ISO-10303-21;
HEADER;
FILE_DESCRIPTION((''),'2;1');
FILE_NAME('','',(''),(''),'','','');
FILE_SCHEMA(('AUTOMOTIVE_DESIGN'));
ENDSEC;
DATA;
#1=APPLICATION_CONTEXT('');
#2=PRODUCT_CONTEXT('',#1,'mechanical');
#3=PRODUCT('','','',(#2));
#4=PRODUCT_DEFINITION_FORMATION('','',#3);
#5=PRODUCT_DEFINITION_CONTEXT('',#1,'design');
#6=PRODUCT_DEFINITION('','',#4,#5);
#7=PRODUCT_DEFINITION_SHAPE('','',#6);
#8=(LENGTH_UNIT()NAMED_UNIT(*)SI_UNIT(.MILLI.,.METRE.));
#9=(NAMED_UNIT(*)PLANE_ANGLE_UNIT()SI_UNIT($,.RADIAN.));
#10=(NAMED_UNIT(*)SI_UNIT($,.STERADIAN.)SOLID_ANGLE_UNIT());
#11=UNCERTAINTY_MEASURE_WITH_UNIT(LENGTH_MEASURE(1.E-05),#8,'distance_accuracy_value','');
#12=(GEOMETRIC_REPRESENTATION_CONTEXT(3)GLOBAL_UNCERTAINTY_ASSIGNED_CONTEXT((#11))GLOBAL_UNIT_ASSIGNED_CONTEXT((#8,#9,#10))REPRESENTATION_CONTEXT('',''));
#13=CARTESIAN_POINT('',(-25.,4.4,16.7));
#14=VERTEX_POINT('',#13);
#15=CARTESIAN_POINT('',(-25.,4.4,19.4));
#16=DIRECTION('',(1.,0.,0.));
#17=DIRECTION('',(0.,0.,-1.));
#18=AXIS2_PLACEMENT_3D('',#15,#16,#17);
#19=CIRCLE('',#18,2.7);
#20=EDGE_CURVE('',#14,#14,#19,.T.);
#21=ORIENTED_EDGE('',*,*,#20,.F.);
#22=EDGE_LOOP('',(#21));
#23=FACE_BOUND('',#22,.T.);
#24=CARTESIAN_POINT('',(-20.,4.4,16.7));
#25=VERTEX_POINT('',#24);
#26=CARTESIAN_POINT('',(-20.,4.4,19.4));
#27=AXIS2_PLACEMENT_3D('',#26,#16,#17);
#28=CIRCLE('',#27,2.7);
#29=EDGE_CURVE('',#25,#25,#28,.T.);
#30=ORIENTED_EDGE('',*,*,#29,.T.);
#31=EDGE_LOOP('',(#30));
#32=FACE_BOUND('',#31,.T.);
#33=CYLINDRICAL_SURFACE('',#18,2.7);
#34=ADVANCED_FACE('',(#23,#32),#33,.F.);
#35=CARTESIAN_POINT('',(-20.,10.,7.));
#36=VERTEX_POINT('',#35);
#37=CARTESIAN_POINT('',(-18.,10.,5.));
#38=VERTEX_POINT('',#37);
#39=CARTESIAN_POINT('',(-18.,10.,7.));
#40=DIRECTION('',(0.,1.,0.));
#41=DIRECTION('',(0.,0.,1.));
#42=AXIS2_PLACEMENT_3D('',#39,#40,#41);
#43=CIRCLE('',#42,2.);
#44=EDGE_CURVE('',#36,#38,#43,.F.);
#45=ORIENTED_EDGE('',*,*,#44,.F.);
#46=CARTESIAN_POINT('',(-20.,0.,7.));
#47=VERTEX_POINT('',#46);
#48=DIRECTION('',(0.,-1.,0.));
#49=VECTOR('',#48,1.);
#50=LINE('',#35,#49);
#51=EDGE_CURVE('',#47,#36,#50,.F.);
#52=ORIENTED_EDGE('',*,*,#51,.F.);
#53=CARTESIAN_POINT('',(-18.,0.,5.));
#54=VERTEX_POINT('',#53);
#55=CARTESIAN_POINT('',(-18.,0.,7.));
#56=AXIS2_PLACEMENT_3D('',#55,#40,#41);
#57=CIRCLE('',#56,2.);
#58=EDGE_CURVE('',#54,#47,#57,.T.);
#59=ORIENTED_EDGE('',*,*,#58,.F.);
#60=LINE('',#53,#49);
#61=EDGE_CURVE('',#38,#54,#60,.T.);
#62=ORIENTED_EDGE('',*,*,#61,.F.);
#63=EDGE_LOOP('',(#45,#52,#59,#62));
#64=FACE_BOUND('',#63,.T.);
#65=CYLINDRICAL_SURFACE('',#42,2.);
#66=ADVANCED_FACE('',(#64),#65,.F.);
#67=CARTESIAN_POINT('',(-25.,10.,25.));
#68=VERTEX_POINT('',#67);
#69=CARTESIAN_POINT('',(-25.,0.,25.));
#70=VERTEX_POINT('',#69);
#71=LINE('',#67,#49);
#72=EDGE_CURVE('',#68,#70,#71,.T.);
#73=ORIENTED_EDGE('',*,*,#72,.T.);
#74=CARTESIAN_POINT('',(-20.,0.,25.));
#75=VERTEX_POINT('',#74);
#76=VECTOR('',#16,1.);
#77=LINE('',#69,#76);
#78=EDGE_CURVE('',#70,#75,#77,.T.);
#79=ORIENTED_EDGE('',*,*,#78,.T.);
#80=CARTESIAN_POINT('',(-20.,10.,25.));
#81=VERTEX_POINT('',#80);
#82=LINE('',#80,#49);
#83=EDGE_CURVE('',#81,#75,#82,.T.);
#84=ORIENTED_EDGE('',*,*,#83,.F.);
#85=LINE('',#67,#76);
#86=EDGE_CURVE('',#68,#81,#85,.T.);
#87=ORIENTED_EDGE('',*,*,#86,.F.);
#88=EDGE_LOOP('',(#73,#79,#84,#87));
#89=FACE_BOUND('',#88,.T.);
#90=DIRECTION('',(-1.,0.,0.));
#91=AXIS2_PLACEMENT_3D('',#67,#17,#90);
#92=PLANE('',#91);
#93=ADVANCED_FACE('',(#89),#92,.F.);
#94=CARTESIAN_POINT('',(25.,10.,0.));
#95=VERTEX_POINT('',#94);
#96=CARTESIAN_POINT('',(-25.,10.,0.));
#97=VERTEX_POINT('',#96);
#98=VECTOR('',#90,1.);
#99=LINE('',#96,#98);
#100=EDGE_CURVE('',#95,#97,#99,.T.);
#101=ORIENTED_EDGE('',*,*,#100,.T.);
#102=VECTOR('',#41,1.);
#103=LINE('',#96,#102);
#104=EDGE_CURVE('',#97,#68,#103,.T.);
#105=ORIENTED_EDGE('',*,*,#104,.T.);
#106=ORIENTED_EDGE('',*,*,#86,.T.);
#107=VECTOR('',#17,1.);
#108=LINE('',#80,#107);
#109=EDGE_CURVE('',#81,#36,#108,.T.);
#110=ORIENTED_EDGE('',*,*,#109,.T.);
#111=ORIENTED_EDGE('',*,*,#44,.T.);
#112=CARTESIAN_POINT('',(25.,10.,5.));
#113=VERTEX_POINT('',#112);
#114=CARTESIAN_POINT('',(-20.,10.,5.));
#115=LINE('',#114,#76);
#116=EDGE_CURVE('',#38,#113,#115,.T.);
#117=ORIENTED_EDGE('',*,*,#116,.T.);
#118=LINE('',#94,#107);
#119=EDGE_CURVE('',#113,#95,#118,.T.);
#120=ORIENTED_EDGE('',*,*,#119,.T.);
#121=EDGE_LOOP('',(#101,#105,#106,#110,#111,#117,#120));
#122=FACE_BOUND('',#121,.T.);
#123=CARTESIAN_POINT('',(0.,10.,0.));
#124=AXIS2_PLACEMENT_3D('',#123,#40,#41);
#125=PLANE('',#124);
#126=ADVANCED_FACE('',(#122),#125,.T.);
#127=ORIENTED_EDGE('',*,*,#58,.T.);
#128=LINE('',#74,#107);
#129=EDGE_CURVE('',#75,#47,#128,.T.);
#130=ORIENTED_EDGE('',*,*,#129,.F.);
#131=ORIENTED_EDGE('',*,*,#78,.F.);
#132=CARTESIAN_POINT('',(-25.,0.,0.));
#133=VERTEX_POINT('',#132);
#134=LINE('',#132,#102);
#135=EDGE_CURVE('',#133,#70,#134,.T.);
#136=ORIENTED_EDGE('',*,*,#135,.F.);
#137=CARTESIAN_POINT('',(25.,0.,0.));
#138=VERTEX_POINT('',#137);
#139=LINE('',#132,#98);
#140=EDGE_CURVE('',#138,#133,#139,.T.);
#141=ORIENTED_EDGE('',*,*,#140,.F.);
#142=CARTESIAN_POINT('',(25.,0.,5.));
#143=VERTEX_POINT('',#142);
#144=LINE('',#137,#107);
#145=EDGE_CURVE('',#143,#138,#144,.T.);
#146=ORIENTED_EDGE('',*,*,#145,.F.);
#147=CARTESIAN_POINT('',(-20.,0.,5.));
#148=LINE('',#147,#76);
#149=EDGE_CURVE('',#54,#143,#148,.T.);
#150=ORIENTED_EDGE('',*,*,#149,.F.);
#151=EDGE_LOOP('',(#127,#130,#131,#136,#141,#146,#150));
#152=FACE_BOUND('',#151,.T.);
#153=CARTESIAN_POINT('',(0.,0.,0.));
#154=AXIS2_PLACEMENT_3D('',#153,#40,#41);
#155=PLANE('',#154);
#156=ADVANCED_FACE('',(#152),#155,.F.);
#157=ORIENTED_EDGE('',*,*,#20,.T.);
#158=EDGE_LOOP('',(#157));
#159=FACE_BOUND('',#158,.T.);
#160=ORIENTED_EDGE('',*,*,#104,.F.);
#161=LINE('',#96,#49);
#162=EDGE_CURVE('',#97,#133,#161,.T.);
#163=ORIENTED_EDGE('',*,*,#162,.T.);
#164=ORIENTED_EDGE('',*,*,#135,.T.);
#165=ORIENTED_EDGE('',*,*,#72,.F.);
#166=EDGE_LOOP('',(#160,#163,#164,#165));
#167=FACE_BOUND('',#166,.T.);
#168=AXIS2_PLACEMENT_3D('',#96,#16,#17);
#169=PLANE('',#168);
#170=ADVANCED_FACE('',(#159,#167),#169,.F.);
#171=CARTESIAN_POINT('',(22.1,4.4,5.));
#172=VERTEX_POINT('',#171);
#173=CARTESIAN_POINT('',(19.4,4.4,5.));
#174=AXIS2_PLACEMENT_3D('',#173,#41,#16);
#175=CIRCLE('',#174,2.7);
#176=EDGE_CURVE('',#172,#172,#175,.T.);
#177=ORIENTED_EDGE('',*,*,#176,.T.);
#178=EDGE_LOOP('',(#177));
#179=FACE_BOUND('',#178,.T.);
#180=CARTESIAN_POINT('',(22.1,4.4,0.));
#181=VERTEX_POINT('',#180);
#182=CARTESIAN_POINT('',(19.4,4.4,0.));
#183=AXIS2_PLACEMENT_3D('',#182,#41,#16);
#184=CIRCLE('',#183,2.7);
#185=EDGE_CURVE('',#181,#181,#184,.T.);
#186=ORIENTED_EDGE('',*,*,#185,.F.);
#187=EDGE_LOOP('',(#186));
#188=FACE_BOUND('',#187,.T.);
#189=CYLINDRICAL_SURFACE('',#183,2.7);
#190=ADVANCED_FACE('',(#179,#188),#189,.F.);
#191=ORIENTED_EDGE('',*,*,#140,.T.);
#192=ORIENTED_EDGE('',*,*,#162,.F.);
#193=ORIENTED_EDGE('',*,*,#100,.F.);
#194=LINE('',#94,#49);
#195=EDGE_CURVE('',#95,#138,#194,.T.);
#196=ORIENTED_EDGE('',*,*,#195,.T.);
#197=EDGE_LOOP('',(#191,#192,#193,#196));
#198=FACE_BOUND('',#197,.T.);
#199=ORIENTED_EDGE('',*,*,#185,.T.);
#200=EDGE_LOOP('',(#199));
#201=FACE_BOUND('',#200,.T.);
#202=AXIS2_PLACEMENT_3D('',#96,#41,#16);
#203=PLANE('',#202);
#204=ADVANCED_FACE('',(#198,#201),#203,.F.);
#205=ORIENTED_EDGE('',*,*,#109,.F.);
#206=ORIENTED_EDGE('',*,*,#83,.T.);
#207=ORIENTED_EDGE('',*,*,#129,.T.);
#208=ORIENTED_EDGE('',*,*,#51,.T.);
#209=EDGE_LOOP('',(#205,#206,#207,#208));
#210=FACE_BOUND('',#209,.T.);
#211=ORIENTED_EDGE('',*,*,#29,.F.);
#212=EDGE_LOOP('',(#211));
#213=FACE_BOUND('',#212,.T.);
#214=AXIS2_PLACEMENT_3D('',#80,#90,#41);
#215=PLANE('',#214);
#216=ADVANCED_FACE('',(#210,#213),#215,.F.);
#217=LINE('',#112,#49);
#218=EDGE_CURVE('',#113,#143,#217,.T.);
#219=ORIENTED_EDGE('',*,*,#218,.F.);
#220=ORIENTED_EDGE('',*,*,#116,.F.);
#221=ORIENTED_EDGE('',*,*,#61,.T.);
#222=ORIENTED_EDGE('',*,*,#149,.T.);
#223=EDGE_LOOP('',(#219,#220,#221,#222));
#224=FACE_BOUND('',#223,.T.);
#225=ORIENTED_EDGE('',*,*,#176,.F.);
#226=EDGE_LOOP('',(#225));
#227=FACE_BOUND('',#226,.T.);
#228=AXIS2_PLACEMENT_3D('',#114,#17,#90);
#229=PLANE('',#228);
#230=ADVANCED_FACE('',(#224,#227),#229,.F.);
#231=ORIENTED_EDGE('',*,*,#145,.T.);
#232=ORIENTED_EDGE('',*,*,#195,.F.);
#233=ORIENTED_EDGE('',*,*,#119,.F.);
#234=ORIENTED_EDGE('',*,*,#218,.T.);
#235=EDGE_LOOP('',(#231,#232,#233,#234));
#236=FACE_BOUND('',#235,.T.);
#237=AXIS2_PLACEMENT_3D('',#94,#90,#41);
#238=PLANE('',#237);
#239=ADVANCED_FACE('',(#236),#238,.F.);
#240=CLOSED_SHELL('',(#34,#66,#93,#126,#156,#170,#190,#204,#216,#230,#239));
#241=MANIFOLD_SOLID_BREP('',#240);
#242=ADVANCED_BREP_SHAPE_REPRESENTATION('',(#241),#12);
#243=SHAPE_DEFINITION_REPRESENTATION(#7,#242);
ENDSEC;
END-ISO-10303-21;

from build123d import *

# Parameters (mm, degrees)
BOSS_EXTRUDE1_DEPTH = 10
SKETCH2_R           = 2.7
CUT_EXTRUDE1_DEPTH  = 53.440442409
SKETCH3_R           = 2.7
CUT_EXTRUDE2_DEPTH  = 34.541019662
FILLET1_R           = 2


with BuildPart() as part:
    # Sketch1 → Boss-Extrude1 (new body)
    with BuildSketch(Plane(origin=(0, 0, 0), x_dir=(1, 0, 0), z_dir=(0, 1, 0))):
        Polygon((-25, 0), (25, 0), (25, -5), (-20, -5), (-20, -25), (-25, -25), align=None)
    extrude(amount=BOSS_EXTRUDE1_DEPTH)

    # Sketch2 → Cut-Extrude1 (cut, through all)
    with BuildSketch(Plane(origin=(-20, 0, 0), x_dir=(0, 0, -1), z_dir=(1, 0, 0))):
        with Locations((-19.4, 4.4)):
            Circle(SKETCH2_R)
    extrude(amount=-CUT_EXTRUDE1_DEPTH, mode=Mode.SUBTRACT)

    # Sketch3 → Cut-Extrude2 (cut, through all)
    with BuildSketch(Plane.XY.offset(5)):
        with Locations((19.4, 4.4)):
            Circle(SKETCH3_R)
    extrude(amount=-CUT_EXTRUDE2_DEPTH, mode=Mode.SUBTRACT)

    # Fillet1
    fillet1_edges = [part.edges().sort_by_distance(p)[0] for p in [
        (-20, 5, 5),
    ]]
    fillet(fillet1_edges, radius=FILLET1_R)


solid = part.part
